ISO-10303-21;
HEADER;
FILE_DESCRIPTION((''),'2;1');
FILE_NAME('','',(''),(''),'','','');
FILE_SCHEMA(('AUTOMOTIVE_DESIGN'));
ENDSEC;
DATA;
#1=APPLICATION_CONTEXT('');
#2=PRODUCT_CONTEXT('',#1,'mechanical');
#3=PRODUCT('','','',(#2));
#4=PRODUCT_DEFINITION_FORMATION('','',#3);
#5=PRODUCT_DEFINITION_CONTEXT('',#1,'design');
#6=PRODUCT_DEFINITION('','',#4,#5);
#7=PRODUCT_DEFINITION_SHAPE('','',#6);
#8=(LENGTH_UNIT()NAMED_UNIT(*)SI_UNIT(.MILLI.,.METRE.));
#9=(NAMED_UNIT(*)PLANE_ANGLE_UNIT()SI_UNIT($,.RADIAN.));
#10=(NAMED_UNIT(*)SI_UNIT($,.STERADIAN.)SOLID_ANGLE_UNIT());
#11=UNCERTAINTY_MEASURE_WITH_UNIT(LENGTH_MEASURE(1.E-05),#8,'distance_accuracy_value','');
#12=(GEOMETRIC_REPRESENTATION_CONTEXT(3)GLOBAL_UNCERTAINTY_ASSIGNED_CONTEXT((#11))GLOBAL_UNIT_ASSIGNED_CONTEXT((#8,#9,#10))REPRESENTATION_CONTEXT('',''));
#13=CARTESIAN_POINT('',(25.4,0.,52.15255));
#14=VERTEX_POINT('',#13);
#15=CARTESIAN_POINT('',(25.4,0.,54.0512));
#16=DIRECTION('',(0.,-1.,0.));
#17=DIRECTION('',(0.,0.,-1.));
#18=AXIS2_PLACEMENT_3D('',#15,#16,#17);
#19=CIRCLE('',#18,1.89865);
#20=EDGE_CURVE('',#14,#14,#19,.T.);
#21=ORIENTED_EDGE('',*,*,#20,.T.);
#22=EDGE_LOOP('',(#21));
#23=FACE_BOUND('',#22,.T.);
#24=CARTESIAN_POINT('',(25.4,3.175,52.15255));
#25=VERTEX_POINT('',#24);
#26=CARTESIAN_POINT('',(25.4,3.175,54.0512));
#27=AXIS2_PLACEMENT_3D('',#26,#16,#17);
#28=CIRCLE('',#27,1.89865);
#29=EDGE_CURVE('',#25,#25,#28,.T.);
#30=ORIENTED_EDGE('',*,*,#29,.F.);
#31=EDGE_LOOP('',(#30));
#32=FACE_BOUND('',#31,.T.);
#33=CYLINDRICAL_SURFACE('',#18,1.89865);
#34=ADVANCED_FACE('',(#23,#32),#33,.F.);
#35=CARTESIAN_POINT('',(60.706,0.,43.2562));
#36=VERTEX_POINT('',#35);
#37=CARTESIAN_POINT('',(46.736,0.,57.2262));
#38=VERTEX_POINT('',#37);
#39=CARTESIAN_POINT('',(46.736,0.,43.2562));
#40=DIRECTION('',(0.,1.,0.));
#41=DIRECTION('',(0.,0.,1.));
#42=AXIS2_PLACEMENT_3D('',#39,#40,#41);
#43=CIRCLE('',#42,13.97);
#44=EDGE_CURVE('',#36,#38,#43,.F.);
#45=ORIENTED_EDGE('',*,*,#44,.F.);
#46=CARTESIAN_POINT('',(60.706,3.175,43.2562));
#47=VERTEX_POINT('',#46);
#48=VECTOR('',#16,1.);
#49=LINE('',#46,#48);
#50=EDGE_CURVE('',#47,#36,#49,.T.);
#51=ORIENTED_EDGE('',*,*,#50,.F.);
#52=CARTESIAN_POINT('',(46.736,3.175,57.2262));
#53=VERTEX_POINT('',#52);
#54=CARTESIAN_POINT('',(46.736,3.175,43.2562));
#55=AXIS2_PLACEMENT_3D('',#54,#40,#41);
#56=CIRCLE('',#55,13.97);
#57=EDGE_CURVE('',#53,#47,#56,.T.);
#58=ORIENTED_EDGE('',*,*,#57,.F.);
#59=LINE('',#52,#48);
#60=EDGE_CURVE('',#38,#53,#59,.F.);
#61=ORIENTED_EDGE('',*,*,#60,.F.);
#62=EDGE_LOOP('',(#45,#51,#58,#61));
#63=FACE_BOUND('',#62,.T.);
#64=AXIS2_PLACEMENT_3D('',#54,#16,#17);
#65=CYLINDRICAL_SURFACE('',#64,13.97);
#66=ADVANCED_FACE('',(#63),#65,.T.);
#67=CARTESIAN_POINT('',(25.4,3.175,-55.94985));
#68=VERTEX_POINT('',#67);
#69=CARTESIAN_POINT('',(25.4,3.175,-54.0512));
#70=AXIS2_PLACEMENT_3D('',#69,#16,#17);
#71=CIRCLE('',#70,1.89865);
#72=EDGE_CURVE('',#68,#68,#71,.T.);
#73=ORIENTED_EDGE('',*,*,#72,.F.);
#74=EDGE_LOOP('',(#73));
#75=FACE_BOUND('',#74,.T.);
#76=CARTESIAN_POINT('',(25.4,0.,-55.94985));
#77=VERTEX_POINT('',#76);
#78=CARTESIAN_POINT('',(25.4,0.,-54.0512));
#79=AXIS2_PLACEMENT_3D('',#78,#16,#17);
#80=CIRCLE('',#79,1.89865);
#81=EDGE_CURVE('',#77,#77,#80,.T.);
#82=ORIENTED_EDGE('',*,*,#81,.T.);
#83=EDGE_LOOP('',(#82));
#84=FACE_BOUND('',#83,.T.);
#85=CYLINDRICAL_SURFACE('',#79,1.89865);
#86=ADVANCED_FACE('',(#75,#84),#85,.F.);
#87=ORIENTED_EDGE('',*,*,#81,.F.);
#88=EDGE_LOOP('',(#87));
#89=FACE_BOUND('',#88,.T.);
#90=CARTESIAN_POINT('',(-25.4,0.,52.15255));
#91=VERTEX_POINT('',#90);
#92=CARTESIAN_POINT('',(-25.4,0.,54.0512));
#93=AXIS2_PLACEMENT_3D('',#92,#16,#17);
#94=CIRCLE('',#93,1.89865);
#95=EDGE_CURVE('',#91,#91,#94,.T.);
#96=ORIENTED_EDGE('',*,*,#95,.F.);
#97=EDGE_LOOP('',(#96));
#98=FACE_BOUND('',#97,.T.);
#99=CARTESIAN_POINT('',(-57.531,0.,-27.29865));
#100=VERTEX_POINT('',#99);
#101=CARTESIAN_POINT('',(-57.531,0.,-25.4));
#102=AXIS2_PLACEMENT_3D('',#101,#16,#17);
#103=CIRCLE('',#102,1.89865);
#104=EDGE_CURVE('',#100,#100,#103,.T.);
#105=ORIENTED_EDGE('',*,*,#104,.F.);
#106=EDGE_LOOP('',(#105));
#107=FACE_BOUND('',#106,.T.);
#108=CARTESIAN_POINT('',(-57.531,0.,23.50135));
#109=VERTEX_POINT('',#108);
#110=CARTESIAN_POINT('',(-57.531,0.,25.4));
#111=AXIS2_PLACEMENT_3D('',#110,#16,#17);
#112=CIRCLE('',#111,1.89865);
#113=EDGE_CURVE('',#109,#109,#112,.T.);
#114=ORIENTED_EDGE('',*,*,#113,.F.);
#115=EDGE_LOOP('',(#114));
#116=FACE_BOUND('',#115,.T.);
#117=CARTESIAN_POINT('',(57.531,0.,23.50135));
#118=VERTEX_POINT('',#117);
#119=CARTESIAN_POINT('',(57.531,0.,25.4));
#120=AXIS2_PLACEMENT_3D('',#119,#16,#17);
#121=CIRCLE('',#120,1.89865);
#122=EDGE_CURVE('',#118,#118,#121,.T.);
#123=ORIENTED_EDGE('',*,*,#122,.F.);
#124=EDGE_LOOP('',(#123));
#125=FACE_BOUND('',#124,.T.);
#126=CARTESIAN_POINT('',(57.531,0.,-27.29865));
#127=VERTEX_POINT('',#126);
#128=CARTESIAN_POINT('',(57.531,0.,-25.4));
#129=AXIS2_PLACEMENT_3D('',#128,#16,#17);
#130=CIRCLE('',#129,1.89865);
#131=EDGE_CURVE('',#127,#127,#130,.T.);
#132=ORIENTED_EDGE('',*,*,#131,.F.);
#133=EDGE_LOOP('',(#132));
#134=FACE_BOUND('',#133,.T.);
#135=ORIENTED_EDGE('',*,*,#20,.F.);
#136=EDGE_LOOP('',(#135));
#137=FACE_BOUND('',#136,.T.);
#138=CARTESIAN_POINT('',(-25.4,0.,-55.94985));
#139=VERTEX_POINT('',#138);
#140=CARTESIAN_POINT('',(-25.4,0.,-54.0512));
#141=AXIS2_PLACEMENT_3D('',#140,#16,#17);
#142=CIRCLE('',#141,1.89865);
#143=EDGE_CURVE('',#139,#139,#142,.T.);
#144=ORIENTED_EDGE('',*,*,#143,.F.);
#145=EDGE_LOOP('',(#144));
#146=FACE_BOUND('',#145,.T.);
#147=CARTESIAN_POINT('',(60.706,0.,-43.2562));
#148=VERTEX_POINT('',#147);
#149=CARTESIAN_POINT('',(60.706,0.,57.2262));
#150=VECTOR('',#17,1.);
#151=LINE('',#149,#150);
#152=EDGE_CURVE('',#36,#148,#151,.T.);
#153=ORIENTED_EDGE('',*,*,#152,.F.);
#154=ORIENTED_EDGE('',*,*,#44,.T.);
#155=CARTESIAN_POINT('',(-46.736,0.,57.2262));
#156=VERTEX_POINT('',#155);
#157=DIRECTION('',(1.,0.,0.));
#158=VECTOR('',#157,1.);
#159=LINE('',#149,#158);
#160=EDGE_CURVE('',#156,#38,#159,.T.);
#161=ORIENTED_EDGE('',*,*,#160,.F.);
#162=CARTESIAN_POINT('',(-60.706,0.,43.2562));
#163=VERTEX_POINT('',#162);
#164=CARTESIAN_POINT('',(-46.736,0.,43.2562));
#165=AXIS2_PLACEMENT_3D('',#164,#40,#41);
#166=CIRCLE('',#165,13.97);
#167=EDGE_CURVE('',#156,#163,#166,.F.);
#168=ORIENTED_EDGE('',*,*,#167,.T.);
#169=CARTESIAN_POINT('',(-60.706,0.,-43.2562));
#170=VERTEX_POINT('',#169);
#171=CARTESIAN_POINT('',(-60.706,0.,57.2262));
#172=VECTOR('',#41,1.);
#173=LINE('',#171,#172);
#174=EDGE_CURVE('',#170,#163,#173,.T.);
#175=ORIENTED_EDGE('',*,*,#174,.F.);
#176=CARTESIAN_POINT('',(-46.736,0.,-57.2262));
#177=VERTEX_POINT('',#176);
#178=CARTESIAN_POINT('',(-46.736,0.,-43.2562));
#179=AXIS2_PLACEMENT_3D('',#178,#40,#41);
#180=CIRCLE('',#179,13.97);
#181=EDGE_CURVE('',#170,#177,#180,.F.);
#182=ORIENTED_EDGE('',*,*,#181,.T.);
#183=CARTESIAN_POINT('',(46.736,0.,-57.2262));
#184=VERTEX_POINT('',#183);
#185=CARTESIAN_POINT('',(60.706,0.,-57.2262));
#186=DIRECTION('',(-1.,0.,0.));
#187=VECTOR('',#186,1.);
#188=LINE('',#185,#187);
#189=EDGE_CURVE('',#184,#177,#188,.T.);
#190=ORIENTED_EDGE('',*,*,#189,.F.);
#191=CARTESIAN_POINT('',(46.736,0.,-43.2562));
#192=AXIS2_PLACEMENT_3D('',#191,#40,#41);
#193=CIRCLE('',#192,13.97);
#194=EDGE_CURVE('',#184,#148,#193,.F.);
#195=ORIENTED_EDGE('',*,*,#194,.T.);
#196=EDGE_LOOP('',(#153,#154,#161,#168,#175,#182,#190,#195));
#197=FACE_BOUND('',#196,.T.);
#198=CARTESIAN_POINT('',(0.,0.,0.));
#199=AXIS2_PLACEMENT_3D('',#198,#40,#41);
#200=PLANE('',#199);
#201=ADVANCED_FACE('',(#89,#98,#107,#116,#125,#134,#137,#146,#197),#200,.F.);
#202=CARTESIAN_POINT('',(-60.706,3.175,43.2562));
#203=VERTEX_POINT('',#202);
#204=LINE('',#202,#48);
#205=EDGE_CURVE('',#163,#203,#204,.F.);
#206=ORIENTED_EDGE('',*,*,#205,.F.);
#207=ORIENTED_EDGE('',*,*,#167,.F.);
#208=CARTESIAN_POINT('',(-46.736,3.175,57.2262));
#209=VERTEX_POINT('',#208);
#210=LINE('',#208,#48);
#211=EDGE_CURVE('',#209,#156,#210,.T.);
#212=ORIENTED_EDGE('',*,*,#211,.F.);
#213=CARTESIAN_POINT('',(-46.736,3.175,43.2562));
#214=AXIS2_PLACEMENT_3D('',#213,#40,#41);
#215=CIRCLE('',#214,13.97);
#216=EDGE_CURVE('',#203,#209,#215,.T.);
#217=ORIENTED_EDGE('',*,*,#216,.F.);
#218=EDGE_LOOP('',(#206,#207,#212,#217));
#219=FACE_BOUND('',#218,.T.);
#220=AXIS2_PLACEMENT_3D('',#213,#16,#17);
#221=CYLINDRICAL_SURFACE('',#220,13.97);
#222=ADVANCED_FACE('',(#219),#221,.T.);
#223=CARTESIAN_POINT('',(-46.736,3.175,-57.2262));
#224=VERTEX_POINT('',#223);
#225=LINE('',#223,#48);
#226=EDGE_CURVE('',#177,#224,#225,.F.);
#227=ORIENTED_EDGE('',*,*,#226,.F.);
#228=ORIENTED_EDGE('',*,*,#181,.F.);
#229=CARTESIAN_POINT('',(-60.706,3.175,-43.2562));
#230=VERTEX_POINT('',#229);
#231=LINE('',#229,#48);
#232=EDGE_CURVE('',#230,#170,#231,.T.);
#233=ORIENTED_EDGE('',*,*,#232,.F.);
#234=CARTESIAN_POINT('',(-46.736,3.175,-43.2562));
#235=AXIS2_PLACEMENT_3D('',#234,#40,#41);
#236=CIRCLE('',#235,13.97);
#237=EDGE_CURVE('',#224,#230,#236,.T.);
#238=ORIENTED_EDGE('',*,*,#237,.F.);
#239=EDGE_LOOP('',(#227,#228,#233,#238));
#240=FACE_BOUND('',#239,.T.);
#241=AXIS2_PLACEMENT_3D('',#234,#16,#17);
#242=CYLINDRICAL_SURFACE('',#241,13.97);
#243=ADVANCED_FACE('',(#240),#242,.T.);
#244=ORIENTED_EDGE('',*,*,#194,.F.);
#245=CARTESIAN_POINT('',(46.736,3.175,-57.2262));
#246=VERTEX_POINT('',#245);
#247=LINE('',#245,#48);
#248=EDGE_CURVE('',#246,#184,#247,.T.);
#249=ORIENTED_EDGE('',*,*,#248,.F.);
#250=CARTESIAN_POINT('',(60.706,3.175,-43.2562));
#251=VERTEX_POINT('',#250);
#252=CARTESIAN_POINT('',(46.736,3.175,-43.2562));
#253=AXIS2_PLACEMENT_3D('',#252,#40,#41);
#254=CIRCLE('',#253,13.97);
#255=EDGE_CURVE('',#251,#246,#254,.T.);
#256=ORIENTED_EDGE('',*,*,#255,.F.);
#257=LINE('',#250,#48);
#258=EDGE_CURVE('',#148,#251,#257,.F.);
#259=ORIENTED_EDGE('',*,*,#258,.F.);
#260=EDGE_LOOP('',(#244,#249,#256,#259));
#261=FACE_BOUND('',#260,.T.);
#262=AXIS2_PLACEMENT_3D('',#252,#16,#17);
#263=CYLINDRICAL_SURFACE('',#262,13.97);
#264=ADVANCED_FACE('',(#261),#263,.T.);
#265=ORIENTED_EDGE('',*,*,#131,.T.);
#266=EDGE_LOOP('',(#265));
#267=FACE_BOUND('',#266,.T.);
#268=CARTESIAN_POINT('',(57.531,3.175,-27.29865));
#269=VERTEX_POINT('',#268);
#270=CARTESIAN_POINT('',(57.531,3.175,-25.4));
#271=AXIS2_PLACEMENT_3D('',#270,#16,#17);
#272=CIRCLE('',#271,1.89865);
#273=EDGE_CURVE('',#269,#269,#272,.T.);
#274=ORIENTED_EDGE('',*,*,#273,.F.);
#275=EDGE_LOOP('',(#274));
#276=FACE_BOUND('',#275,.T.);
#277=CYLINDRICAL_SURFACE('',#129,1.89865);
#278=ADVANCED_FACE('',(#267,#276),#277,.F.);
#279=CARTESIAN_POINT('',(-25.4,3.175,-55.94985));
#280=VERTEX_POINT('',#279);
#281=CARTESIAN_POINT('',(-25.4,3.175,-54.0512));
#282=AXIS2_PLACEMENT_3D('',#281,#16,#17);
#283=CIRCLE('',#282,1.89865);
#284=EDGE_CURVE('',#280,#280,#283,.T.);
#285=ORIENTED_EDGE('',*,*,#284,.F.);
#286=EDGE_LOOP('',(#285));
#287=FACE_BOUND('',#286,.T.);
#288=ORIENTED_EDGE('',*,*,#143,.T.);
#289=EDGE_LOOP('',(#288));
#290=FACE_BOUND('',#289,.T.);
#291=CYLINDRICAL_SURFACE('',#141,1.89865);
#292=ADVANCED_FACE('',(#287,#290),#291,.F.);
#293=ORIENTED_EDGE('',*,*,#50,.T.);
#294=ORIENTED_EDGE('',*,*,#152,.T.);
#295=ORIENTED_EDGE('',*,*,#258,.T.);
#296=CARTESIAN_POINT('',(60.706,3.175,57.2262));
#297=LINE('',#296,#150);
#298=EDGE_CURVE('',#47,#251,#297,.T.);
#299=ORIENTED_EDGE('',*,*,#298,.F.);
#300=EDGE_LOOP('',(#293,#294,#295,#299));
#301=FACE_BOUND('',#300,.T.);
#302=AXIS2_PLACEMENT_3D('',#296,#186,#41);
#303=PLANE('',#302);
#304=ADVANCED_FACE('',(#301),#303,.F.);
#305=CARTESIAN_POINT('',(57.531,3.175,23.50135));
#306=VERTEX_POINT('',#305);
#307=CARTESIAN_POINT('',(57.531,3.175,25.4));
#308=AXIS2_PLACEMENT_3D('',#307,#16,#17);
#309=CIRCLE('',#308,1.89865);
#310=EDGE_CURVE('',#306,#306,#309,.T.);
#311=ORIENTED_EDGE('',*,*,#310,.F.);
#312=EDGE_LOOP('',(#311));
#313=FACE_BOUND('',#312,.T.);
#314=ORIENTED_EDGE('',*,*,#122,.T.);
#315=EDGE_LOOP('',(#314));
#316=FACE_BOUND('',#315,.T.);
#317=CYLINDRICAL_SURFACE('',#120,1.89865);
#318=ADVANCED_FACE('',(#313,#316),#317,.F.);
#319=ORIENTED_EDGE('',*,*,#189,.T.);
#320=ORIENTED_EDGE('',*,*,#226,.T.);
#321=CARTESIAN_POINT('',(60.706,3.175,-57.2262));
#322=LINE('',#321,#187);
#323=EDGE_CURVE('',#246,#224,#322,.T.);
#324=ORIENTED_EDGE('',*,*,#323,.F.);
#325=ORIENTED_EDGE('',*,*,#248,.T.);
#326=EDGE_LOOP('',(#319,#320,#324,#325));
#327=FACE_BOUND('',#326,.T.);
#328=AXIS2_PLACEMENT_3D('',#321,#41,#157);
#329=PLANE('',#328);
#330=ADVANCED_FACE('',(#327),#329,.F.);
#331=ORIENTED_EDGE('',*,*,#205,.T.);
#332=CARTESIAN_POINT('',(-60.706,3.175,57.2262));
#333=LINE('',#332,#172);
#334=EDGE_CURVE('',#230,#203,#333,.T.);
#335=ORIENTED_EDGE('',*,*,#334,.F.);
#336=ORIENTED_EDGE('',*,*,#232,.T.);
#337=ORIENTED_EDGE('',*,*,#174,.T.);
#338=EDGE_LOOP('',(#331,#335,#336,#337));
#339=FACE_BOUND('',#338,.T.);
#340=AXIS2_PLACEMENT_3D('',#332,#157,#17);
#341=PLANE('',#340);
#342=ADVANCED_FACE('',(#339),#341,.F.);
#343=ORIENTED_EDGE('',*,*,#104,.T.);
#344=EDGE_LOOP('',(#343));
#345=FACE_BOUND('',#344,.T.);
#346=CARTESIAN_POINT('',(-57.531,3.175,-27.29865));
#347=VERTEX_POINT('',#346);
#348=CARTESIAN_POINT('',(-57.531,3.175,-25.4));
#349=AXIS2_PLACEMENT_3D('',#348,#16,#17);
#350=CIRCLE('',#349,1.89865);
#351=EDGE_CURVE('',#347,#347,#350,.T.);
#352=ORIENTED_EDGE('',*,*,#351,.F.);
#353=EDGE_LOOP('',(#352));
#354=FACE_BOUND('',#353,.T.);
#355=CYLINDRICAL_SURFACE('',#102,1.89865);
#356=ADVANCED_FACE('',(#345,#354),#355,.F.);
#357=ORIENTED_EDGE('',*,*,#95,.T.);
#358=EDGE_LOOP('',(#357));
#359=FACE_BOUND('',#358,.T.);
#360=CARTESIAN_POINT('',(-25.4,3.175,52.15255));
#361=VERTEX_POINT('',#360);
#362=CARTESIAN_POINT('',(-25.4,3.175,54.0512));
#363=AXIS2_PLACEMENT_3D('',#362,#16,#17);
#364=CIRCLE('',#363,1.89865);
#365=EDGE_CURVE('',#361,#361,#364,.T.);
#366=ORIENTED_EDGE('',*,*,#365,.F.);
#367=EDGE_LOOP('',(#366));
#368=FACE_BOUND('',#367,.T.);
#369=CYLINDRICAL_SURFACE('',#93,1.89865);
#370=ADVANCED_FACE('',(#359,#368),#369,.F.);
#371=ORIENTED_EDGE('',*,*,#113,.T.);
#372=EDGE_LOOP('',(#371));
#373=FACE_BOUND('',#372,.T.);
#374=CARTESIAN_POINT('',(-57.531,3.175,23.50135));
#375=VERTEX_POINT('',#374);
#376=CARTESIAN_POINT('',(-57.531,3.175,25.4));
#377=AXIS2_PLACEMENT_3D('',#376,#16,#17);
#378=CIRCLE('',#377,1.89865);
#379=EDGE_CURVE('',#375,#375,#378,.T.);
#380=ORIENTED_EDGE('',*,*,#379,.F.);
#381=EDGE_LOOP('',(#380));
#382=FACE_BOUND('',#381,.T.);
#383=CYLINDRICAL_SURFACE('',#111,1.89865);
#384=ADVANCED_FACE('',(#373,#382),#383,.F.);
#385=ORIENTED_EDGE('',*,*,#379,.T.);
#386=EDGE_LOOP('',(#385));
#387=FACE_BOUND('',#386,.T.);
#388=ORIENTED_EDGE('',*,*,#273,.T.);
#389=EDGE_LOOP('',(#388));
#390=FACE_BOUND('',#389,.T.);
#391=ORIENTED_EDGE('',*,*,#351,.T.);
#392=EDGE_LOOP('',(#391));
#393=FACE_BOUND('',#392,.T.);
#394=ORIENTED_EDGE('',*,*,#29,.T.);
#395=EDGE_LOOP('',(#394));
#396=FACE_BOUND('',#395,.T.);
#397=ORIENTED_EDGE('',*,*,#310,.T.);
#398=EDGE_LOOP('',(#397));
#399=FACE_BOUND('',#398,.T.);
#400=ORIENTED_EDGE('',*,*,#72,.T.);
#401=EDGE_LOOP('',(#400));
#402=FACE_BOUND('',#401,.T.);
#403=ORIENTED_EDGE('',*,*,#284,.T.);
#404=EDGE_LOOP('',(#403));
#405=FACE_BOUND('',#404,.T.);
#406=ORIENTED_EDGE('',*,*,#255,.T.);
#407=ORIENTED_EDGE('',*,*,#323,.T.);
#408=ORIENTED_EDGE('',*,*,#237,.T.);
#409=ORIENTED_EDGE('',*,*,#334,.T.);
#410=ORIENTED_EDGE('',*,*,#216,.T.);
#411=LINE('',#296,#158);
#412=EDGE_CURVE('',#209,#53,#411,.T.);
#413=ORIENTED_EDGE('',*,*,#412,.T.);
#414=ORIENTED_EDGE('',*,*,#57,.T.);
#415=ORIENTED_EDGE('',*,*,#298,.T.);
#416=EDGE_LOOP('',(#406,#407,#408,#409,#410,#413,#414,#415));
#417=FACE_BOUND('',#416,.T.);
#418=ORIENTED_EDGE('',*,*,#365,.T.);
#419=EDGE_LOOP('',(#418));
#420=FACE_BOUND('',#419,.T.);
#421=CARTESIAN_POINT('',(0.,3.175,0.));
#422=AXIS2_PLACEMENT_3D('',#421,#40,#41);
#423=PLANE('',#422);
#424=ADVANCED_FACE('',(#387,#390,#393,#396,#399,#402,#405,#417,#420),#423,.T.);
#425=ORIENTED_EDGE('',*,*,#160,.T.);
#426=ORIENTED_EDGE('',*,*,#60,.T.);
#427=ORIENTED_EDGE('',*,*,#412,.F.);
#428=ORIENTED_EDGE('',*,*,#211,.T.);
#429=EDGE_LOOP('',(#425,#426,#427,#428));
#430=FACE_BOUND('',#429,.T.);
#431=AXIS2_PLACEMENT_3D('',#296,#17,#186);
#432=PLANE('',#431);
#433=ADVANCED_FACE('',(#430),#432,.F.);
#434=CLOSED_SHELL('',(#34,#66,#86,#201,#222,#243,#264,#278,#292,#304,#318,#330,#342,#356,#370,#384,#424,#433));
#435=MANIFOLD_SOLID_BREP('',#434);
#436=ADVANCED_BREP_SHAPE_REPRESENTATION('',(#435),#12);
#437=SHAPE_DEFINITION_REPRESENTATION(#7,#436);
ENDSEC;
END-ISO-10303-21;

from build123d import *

# Parameters (mm, degrees)
SKETCH1_W             = 121.412
SKETCH1_H             = 114.4524
BOSS_EXTRUDE1_DEPTH   = 3.175
FILLET2_R             = 13.97
F_6_CLEARANCE_HOLE1_D = 3.7973


with BuildPart() as part:
    # Sketch1 → Boss-Extrude1 (new body)
    with BuildSketch(Plane(origin=(0, 0, 0), x_dir=(1, 0, 0), z_dir=(0, 1, 0))):
        Rectangle(SKETCH1_W, SKETCH1_H)
    extrude(amount=BOSS_EXTRUDE1_DEPTH)

    # Fillet2
    fillet2_edges = [part.edges().sort_by_distance(p)[0] for p in [
        (-60.706, 1.5875, -57.2262),
        (60.706, 1.5875, -57.2262),
        (60.706, 1.5875, 57.2262),
        (-60.706, 1.5875, 57.2262),
    ]]
    fillet(fillet2_edges, radius=FILLET2_R)

    # #6 Clearance Hole1 (through all)
    with Locations(Plane.XZ):
        with Locations((-25.4, 54.0512), (-25.4, -54.0512), (-57.531, -25.4), (-57.531, 25.4)):
            f_6_clearance_hole1 = Hole(F_6_CLEARANCE_HOLE1_D / 2)

    # Mirror1: #6 Clearance Hole1 across plane
    add(f_6_clearance_hole1.mirror(Plane(origin=(0, 0, 0), x_dir=(0, 0, 1), z_dir=(1, 0, 0))), mode=Mode.SUBTRACT)


solid = part.part
